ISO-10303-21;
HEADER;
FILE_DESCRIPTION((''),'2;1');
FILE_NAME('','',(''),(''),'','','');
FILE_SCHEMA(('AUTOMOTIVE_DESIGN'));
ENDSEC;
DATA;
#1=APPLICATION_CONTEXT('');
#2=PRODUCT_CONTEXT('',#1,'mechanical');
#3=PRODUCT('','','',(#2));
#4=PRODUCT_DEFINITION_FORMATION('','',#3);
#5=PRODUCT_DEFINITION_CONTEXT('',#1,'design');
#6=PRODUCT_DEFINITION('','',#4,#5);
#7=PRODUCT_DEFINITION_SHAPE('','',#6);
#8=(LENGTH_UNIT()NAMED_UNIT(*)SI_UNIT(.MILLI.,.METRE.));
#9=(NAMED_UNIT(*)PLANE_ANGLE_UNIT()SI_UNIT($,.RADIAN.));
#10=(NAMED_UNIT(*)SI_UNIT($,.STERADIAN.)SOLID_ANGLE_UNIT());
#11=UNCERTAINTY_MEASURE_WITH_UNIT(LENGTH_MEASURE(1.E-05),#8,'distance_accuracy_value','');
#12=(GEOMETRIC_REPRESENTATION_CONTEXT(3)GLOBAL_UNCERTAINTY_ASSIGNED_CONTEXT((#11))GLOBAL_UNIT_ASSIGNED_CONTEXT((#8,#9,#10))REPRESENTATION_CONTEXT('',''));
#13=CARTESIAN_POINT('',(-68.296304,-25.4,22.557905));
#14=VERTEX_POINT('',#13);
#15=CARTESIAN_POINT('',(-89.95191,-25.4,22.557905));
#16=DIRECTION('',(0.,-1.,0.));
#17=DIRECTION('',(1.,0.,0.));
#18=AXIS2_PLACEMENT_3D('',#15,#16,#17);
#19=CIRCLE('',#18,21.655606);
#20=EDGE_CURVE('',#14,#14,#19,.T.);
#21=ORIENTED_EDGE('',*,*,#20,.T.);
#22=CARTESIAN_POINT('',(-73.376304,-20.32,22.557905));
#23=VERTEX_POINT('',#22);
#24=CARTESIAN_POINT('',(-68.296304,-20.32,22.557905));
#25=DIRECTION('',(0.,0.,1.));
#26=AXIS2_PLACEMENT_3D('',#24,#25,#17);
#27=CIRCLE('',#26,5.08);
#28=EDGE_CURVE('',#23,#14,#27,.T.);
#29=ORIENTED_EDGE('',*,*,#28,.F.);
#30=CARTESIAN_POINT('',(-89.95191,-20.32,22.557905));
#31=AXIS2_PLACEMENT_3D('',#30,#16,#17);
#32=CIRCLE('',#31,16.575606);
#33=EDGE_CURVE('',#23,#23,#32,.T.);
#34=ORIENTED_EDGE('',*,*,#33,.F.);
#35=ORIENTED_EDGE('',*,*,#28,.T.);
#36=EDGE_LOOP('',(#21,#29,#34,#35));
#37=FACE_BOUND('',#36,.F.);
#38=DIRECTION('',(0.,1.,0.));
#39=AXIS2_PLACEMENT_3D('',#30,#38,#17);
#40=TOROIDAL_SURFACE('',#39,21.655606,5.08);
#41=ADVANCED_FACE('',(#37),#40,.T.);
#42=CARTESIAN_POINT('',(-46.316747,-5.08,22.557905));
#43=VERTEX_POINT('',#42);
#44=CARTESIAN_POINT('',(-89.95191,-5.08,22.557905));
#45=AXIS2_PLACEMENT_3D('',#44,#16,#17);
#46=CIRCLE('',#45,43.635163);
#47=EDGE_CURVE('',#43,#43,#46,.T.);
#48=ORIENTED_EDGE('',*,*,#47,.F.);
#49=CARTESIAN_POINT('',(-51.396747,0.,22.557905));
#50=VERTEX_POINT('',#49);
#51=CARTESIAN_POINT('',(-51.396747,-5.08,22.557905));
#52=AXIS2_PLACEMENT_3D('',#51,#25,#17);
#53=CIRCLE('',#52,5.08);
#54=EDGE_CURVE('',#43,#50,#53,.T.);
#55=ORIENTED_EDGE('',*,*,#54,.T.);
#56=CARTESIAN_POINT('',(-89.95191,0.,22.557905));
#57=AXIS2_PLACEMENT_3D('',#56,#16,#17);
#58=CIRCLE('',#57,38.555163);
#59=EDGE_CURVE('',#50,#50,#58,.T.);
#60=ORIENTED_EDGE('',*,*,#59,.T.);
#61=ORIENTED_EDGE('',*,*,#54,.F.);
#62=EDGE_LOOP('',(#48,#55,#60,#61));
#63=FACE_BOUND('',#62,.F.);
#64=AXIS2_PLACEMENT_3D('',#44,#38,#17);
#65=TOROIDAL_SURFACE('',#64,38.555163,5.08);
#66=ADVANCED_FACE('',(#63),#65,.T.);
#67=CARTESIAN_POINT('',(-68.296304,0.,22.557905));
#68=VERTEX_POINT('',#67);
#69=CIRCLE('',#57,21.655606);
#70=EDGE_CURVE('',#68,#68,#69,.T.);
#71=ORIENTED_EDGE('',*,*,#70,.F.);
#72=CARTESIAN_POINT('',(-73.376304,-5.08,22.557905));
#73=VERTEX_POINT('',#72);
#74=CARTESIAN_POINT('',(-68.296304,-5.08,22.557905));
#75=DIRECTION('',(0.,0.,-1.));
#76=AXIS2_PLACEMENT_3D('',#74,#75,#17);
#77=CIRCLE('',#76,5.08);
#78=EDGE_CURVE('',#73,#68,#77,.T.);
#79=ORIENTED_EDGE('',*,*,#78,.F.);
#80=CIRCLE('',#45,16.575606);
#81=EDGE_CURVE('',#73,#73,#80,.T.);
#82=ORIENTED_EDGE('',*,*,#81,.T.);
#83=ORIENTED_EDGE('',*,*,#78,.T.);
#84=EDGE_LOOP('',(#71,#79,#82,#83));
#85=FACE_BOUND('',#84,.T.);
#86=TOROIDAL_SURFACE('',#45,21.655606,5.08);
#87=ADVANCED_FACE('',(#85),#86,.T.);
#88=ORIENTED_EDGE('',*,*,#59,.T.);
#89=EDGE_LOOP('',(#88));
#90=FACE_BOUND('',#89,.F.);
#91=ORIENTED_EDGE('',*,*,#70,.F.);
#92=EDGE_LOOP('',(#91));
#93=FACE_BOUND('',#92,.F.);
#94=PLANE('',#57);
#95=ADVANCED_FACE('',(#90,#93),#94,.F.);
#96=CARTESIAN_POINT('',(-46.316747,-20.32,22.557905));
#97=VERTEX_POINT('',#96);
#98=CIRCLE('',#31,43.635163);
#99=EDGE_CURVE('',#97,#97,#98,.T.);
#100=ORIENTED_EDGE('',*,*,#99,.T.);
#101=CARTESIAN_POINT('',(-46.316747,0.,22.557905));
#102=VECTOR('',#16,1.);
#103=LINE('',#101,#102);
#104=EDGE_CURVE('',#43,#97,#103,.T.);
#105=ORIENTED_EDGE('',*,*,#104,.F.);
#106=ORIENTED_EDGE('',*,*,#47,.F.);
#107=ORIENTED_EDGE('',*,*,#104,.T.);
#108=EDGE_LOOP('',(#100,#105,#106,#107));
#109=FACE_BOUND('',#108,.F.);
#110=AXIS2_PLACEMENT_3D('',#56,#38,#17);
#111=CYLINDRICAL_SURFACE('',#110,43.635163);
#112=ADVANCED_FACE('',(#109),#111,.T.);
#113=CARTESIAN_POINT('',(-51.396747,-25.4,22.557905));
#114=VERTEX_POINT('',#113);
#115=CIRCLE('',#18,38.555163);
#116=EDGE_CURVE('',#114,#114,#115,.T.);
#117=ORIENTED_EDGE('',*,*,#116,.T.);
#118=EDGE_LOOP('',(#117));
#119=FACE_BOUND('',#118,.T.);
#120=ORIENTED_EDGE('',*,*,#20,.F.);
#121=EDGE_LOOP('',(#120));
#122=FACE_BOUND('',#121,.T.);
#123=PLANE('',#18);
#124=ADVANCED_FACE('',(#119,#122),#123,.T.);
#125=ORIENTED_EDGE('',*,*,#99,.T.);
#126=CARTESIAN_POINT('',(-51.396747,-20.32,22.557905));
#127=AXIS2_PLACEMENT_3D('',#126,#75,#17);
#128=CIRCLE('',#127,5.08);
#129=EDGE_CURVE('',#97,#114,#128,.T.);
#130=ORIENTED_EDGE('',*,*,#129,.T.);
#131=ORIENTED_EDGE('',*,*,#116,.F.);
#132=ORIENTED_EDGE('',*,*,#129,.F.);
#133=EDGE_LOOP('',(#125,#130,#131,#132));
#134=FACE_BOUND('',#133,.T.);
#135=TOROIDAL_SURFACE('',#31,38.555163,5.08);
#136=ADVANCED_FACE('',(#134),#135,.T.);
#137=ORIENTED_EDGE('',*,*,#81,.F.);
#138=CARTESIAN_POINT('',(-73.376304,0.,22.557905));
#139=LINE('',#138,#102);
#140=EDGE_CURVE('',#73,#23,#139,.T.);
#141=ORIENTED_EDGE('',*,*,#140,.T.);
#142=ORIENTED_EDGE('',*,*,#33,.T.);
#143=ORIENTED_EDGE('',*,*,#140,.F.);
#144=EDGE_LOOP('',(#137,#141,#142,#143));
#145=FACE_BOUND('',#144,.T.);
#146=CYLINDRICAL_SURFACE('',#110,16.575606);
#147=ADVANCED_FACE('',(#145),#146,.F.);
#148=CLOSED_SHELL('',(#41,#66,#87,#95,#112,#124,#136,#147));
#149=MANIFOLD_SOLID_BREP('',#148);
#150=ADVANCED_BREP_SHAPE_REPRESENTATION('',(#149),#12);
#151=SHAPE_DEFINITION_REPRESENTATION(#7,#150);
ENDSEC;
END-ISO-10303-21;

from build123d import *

# Parameters (mm, degrees)
F0_R     = 43.635163
F0_R_2   = 16.575606
F1_DEPTH = 25.4
F2_R     = 5.08


with BuildPart() as f1:
    # F0 (on Front) → F1 (new body)
    with BuildSketch(Plane.XZ):
        with Locations((-89.95191, 22.557905)):
            Circle(F0_R)
        with Locations((-89.95191, 22.557905)):
            Circle(F0_R_2, mode=Mode.SUBTRACT)
    extrude(amount=F1_DEPTH)

    # F2
    f2_edges = [f1.edges().sort_by_distance(p)[0] for p in [
        (-133.587073, 0, 22.557905),
        (-106.527517, 0, 22.557905),
        (-133.587073, -25.4, 22.557905),
        (-106.527517, -25.4, 22.557905),
    ]]
    fillet(f2_edges, radius=F2_R)


solid = f1.part
